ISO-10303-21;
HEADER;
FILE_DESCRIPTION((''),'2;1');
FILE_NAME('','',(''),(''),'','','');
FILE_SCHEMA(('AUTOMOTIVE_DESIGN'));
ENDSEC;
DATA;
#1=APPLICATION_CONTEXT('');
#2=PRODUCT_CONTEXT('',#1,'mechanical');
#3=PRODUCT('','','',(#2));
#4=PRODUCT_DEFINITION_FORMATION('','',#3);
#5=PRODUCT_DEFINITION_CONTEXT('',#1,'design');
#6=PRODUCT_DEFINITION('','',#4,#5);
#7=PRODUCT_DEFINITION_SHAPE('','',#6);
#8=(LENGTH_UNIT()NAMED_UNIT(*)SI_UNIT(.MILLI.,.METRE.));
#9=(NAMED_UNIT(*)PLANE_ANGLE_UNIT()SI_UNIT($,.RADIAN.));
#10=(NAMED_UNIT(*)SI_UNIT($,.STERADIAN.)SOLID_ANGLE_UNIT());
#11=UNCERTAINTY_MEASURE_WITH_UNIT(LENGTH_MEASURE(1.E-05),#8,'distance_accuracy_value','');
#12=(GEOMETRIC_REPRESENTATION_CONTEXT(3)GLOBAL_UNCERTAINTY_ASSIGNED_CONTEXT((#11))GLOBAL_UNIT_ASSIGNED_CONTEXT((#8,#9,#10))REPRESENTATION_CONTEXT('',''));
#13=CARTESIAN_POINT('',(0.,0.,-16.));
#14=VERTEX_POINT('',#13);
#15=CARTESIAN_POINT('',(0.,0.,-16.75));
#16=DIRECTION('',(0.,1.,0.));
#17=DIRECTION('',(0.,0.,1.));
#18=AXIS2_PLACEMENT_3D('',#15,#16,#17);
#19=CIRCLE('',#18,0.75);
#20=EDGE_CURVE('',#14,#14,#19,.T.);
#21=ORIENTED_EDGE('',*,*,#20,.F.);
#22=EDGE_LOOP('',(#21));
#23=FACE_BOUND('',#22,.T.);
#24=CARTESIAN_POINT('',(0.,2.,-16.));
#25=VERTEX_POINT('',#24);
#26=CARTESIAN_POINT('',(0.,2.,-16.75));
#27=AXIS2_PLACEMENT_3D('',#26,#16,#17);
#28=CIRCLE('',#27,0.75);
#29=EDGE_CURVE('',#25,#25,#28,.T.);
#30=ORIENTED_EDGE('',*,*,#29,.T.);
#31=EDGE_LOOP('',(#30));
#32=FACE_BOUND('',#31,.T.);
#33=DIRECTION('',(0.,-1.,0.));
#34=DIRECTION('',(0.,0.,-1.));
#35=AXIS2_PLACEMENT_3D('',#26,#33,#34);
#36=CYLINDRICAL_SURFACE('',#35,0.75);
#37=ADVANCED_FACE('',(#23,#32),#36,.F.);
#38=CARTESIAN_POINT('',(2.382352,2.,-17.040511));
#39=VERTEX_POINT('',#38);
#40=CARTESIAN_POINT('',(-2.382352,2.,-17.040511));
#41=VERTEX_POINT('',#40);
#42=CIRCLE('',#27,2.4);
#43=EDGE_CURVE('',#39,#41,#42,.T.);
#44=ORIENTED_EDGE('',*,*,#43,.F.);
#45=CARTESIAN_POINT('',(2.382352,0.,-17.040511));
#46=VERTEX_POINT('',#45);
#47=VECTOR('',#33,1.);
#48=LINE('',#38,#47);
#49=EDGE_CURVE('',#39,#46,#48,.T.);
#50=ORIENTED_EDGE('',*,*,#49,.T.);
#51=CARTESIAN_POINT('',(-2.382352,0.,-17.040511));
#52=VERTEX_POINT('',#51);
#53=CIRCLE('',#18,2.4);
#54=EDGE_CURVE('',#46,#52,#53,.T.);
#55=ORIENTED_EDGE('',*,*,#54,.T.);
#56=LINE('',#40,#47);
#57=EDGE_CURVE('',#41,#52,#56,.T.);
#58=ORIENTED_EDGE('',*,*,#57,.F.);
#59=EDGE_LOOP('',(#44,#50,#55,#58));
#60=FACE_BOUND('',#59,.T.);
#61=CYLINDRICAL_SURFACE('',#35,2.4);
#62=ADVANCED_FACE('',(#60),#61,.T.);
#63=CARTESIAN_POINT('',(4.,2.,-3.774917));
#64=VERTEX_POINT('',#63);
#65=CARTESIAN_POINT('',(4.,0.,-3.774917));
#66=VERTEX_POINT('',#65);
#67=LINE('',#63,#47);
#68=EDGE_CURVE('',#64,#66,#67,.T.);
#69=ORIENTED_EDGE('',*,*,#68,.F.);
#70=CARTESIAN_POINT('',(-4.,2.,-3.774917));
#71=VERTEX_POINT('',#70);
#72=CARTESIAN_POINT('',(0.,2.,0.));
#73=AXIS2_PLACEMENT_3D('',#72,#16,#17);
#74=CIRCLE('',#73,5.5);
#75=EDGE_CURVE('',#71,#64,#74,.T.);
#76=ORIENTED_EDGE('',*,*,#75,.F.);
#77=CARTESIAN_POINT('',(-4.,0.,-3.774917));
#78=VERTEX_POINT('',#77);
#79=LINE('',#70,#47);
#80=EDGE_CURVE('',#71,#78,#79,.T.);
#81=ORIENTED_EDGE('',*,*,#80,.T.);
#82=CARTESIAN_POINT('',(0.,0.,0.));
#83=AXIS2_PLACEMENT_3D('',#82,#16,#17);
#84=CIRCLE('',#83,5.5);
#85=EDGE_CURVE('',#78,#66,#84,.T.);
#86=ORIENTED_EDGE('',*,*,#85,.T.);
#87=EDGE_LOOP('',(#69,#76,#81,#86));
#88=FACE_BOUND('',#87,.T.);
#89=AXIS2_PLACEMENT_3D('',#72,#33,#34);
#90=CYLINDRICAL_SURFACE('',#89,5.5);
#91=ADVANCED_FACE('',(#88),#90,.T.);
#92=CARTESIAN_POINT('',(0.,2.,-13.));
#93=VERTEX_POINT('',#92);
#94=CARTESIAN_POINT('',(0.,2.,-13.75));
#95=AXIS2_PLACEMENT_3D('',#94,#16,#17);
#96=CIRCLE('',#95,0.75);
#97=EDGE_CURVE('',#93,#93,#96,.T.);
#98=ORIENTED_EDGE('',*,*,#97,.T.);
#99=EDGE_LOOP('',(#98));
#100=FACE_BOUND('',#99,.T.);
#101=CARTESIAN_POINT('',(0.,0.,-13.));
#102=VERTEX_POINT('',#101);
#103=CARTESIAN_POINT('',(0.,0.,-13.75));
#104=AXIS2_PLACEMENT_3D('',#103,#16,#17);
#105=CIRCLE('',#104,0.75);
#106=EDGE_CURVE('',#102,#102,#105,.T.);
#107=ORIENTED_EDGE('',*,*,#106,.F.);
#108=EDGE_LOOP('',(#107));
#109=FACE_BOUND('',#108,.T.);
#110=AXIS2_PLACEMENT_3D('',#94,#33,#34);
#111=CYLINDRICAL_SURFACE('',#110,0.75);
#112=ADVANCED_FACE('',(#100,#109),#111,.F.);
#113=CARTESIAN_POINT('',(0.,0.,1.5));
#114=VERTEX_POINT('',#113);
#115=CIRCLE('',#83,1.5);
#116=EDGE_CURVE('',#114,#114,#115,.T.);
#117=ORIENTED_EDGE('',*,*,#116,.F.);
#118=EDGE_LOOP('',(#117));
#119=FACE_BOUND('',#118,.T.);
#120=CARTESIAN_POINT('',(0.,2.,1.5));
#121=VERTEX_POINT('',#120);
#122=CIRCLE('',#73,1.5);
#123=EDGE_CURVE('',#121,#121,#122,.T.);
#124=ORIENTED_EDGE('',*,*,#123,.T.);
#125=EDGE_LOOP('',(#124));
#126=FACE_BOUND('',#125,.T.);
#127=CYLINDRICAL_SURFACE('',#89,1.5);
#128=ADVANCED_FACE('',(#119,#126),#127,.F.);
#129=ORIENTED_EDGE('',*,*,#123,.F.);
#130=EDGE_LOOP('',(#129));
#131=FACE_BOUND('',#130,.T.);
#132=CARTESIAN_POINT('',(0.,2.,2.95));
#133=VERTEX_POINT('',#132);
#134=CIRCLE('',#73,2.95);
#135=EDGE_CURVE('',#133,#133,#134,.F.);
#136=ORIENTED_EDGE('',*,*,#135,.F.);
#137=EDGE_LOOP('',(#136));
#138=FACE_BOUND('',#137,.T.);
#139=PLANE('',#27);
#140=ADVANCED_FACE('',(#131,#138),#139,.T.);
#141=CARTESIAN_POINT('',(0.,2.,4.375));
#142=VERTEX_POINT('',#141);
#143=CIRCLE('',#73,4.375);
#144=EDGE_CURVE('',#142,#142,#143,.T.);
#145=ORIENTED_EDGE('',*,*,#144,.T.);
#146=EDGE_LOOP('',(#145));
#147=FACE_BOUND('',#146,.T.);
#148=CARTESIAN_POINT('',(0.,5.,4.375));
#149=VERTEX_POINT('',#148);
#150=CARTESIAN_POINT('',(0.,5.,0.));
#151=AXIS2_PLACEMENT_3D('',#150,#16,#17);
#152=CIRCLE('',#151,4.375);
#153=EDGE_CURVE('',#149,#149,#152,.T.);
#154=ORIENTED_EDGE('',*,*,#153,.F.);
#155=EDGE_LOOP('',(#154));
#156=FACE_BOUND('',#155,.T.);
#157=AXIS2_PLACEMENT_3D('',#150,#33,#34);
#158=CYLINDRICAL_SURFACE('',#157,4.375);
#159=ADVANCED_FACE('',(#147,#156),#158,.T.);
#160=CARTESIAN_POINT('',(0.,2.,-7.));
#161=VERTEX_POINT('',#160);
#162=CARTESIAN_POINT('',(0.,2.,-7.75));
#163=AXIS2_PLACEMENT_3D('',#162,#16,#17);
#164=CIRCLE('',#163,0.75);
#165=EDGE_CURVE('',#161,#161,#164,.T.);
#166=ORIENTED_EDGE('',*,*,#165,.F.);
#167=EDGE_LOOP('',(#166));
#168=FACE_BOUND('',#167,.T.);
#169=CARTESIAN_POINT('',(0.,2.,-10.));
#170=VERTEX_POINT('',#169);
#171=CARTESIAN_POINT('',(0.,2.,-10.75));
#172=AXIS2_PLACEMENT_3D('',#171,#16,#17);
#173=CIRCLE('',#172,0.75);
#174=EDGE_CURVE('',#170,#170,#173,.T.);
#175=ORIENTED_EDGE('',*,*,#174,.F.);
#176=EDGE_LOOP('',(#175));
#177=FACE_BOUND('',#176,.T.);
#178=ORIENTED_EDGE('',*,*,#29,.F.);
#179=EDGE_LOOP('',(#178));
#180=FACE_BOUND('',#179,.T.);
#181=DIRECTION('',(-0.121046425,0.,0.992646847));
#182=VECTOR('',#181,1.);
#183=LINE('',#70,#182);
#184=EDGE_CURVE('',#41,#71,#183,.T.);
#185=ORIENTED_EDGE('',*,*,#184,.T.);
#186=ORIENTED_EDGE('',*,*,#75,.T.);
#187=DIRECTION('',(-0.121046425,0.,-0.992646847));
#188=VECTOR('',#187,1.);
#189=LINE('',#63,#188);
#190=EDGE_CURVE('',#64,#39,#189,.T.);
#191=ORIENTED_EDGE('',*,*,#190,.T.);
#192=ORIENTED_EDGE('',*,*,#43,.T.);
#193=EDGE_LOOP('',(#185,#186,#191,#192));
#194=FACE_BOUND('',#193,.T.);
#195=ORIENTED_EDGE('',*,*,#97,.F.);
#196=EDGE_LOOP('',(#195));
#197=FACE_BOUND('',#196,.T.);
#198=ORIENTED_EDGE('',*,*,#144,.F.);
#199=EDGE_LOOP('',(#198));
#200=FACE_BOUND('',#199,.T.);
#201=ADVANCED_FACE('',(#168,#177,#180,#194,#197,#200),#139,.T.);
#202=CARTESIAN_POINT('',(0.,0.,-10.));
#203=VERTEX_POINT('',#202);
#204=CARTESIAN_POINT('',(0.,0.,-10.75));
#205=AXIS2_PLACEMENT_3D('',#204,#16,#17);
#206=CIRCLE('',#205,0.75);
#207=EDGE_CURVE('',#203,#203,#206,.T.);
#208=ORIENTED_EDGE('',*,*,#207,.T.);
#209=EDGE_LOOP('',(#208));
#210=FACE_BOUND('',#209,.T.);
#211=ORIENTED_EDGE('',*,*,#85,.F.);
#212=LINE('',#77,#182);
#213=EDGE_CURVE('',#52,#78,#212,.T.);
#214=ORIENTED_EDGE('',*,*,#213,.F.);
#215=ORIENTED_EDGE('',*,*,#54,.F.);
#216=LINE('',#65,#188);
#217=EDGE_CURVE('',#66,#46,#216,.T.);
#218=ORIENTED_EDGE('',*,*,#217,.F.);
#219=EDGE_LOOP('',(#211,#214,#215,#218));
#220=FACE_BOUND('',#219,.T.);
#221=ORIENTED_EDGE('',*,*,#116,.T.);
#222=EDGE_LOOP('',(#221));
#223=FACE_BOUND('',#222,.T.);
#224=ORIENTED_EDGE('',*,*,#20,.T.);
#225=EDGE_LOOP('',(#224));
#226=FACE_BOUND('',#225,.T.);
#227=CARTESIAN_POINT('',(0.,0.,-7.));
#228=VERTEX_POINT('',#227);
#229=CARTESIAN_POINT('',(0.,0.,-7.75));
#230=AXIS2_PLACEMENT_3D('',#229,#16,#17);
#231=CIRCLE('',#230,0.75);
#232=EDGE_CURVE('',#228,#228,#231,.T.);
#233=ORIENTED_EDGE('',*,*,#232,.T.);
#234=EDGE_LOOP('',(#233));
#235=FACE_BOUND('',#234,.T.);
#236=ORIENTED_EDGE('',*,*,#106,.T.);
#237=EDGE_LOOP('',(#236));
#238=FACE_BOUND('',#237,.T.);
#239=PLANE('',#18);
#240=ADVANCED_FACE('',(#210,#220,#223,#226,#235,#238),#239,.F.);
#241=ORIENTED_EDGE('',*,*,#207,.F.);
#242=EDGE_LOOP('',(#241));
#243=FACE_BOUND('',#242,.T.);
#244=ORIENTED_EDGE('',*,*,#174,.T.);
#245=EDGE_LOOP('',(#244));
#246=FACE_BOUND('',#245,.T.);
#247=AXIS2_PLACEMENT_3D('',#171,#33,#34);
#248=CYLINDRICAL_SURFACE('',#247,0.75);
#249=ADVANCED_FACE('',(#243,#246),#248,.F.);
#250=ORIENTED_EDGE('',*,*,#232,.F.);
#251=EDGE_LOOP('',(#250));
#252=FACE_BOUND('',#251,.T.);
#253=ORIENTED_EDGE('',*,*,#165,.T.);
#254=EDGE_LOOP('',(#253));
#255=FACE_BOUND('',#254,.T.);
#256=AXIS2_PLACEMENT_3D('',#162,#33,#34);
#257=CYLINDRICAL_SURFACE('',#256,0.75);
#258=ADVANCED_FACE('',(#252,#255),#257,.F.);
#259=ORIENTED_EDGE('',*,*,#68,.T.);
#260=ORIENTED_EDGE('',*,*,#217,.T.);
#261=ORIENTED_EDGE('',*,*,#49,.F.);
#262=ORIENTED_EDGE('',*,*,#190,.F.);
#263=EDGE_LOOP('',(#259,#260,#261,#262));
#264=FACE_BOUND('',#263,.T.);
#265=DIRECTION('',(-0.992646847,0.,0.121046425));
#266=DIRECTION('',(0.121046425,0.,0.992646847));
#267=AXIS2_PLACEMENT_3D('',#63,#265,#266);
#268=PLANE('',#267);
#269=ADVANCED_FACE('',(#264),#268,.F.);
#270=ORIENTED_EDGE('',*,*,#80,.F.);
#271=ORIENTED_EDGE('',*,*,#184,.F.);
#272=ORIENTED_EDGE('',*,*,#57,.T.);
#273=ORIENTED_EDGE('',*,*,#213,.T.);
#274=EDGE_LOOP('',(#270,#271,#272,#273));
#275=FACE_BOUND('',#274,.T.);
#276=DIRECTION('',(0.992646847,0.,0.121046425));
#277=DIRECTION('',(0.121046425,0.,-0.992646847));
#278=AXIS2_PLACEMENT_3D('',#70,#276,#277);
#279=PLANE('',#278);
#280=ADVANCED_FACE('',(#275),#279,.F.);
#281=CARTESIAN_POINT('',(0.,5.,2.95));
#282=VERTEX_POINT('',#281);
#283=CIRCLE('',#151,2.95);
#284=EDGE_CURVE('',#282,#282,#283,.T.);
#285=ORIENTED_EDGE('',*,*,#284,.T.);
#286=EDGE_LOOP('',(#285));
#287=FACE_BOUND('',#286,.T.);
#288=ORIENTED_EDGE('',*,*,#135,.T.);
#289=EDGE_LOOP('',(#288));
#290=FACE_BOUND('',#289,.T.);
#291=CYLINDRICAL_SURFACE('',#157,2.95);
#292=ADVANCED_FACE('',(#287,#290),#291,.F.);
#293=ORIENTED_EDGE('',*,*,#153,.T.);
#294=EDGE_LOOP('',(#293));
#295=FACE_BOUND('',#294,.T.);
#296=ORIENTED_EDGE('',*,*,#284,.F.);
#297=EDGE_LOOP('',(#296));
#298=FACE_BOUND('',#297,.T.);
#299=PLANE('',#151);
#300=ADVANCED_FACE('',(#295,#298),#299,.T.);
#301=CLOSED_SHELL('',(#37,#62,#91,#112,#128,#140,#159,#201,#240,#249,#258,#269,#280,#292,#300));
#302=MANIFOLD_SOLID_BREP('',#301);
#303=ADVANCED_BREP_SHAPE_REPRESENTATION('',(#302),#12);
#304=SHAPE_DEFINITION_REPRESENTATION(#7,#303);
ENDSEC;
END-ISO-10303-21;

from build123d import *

# Parameters (mm, degrees)
CROQUIS1_R              = 0.75
CROQUIS1_R_2            = 1.5
SALIENTE_EXTRUIR1_DEPTH = 2
CROQUIS2_R              = 4.375
CROQUIS2_R_2            = 2.95
SALIENTE_EXTRUIR2_DEPTH = 3


with BuildPart() as part:
    # Croquis1 → Saliente-Extruir1 (new body)
    with BuildSketch(Plane(origin=(0, 0, 0), x_dir=(1, 0, 0), z_dir=(0, 1, 0))):
        with BuildLine():
            Line((-4, 3.774917218), (-2.382352433, 17.040511421))
            ThreePointArc((-2.382352433, 17.040511421), (0, 19.15), (2.382352433, 17.040511421))
            Line((2.382352433, 17.040511421), (4, 3.774917218))
            ThreePointArc((4, 3.774917218), (0, -5.5), (-4, 3.774917218))
        make_face()
        with Locations(Location((0, 16.75, 0), (0, 0, 270))):
            Circle(CROQUIS1_R, mode=Mode.SUBTRACT)
        with Locations(Location((0, 13.75, 0), (0, 0, 270))):
            Circle(CROQUIS1_R, mode=Mode.SUBTRACT)
        with Locations(Location((0, 10.75, 0), (0, 0, 270))):
            Circle(CROQUIS1_R, mode=Mode.SUBTRACT)
        with Locations(Location((0, 7.75, 0), (0, 0, 270))):
            Circle(CROQUIS1_R, mode=Mode.SUBTRACT)
        with Locations(Location((0, 0, 0), (0, 0, 270))):
            Circle(CROQUIS1_R_2, mode=Mode.SUBTRACT)
    extrude(amount=SALIENTE_EXTRUIR1_DEPTH)

    # Croquis2 → Saliente-Extruir2 (add)
    with BuildSketch(Plane(origin=(0, 2, 0), x_dir=(1, 0, 0), z_dir=(0, 1, 0))):
        with Locations(Location((0, 0, 0), (0, 0, 270))):
            Circle(CROQUIS2_R)
        with Locations(Location((0, 0, 0), (0, 0, 270))):
            Circle(CROQUIS2_R_2, mode=Mode.SUBTRACT)
    extrude(amount=SALIENTE_EXTRUIR2_DEPTH)


solid = part.part
